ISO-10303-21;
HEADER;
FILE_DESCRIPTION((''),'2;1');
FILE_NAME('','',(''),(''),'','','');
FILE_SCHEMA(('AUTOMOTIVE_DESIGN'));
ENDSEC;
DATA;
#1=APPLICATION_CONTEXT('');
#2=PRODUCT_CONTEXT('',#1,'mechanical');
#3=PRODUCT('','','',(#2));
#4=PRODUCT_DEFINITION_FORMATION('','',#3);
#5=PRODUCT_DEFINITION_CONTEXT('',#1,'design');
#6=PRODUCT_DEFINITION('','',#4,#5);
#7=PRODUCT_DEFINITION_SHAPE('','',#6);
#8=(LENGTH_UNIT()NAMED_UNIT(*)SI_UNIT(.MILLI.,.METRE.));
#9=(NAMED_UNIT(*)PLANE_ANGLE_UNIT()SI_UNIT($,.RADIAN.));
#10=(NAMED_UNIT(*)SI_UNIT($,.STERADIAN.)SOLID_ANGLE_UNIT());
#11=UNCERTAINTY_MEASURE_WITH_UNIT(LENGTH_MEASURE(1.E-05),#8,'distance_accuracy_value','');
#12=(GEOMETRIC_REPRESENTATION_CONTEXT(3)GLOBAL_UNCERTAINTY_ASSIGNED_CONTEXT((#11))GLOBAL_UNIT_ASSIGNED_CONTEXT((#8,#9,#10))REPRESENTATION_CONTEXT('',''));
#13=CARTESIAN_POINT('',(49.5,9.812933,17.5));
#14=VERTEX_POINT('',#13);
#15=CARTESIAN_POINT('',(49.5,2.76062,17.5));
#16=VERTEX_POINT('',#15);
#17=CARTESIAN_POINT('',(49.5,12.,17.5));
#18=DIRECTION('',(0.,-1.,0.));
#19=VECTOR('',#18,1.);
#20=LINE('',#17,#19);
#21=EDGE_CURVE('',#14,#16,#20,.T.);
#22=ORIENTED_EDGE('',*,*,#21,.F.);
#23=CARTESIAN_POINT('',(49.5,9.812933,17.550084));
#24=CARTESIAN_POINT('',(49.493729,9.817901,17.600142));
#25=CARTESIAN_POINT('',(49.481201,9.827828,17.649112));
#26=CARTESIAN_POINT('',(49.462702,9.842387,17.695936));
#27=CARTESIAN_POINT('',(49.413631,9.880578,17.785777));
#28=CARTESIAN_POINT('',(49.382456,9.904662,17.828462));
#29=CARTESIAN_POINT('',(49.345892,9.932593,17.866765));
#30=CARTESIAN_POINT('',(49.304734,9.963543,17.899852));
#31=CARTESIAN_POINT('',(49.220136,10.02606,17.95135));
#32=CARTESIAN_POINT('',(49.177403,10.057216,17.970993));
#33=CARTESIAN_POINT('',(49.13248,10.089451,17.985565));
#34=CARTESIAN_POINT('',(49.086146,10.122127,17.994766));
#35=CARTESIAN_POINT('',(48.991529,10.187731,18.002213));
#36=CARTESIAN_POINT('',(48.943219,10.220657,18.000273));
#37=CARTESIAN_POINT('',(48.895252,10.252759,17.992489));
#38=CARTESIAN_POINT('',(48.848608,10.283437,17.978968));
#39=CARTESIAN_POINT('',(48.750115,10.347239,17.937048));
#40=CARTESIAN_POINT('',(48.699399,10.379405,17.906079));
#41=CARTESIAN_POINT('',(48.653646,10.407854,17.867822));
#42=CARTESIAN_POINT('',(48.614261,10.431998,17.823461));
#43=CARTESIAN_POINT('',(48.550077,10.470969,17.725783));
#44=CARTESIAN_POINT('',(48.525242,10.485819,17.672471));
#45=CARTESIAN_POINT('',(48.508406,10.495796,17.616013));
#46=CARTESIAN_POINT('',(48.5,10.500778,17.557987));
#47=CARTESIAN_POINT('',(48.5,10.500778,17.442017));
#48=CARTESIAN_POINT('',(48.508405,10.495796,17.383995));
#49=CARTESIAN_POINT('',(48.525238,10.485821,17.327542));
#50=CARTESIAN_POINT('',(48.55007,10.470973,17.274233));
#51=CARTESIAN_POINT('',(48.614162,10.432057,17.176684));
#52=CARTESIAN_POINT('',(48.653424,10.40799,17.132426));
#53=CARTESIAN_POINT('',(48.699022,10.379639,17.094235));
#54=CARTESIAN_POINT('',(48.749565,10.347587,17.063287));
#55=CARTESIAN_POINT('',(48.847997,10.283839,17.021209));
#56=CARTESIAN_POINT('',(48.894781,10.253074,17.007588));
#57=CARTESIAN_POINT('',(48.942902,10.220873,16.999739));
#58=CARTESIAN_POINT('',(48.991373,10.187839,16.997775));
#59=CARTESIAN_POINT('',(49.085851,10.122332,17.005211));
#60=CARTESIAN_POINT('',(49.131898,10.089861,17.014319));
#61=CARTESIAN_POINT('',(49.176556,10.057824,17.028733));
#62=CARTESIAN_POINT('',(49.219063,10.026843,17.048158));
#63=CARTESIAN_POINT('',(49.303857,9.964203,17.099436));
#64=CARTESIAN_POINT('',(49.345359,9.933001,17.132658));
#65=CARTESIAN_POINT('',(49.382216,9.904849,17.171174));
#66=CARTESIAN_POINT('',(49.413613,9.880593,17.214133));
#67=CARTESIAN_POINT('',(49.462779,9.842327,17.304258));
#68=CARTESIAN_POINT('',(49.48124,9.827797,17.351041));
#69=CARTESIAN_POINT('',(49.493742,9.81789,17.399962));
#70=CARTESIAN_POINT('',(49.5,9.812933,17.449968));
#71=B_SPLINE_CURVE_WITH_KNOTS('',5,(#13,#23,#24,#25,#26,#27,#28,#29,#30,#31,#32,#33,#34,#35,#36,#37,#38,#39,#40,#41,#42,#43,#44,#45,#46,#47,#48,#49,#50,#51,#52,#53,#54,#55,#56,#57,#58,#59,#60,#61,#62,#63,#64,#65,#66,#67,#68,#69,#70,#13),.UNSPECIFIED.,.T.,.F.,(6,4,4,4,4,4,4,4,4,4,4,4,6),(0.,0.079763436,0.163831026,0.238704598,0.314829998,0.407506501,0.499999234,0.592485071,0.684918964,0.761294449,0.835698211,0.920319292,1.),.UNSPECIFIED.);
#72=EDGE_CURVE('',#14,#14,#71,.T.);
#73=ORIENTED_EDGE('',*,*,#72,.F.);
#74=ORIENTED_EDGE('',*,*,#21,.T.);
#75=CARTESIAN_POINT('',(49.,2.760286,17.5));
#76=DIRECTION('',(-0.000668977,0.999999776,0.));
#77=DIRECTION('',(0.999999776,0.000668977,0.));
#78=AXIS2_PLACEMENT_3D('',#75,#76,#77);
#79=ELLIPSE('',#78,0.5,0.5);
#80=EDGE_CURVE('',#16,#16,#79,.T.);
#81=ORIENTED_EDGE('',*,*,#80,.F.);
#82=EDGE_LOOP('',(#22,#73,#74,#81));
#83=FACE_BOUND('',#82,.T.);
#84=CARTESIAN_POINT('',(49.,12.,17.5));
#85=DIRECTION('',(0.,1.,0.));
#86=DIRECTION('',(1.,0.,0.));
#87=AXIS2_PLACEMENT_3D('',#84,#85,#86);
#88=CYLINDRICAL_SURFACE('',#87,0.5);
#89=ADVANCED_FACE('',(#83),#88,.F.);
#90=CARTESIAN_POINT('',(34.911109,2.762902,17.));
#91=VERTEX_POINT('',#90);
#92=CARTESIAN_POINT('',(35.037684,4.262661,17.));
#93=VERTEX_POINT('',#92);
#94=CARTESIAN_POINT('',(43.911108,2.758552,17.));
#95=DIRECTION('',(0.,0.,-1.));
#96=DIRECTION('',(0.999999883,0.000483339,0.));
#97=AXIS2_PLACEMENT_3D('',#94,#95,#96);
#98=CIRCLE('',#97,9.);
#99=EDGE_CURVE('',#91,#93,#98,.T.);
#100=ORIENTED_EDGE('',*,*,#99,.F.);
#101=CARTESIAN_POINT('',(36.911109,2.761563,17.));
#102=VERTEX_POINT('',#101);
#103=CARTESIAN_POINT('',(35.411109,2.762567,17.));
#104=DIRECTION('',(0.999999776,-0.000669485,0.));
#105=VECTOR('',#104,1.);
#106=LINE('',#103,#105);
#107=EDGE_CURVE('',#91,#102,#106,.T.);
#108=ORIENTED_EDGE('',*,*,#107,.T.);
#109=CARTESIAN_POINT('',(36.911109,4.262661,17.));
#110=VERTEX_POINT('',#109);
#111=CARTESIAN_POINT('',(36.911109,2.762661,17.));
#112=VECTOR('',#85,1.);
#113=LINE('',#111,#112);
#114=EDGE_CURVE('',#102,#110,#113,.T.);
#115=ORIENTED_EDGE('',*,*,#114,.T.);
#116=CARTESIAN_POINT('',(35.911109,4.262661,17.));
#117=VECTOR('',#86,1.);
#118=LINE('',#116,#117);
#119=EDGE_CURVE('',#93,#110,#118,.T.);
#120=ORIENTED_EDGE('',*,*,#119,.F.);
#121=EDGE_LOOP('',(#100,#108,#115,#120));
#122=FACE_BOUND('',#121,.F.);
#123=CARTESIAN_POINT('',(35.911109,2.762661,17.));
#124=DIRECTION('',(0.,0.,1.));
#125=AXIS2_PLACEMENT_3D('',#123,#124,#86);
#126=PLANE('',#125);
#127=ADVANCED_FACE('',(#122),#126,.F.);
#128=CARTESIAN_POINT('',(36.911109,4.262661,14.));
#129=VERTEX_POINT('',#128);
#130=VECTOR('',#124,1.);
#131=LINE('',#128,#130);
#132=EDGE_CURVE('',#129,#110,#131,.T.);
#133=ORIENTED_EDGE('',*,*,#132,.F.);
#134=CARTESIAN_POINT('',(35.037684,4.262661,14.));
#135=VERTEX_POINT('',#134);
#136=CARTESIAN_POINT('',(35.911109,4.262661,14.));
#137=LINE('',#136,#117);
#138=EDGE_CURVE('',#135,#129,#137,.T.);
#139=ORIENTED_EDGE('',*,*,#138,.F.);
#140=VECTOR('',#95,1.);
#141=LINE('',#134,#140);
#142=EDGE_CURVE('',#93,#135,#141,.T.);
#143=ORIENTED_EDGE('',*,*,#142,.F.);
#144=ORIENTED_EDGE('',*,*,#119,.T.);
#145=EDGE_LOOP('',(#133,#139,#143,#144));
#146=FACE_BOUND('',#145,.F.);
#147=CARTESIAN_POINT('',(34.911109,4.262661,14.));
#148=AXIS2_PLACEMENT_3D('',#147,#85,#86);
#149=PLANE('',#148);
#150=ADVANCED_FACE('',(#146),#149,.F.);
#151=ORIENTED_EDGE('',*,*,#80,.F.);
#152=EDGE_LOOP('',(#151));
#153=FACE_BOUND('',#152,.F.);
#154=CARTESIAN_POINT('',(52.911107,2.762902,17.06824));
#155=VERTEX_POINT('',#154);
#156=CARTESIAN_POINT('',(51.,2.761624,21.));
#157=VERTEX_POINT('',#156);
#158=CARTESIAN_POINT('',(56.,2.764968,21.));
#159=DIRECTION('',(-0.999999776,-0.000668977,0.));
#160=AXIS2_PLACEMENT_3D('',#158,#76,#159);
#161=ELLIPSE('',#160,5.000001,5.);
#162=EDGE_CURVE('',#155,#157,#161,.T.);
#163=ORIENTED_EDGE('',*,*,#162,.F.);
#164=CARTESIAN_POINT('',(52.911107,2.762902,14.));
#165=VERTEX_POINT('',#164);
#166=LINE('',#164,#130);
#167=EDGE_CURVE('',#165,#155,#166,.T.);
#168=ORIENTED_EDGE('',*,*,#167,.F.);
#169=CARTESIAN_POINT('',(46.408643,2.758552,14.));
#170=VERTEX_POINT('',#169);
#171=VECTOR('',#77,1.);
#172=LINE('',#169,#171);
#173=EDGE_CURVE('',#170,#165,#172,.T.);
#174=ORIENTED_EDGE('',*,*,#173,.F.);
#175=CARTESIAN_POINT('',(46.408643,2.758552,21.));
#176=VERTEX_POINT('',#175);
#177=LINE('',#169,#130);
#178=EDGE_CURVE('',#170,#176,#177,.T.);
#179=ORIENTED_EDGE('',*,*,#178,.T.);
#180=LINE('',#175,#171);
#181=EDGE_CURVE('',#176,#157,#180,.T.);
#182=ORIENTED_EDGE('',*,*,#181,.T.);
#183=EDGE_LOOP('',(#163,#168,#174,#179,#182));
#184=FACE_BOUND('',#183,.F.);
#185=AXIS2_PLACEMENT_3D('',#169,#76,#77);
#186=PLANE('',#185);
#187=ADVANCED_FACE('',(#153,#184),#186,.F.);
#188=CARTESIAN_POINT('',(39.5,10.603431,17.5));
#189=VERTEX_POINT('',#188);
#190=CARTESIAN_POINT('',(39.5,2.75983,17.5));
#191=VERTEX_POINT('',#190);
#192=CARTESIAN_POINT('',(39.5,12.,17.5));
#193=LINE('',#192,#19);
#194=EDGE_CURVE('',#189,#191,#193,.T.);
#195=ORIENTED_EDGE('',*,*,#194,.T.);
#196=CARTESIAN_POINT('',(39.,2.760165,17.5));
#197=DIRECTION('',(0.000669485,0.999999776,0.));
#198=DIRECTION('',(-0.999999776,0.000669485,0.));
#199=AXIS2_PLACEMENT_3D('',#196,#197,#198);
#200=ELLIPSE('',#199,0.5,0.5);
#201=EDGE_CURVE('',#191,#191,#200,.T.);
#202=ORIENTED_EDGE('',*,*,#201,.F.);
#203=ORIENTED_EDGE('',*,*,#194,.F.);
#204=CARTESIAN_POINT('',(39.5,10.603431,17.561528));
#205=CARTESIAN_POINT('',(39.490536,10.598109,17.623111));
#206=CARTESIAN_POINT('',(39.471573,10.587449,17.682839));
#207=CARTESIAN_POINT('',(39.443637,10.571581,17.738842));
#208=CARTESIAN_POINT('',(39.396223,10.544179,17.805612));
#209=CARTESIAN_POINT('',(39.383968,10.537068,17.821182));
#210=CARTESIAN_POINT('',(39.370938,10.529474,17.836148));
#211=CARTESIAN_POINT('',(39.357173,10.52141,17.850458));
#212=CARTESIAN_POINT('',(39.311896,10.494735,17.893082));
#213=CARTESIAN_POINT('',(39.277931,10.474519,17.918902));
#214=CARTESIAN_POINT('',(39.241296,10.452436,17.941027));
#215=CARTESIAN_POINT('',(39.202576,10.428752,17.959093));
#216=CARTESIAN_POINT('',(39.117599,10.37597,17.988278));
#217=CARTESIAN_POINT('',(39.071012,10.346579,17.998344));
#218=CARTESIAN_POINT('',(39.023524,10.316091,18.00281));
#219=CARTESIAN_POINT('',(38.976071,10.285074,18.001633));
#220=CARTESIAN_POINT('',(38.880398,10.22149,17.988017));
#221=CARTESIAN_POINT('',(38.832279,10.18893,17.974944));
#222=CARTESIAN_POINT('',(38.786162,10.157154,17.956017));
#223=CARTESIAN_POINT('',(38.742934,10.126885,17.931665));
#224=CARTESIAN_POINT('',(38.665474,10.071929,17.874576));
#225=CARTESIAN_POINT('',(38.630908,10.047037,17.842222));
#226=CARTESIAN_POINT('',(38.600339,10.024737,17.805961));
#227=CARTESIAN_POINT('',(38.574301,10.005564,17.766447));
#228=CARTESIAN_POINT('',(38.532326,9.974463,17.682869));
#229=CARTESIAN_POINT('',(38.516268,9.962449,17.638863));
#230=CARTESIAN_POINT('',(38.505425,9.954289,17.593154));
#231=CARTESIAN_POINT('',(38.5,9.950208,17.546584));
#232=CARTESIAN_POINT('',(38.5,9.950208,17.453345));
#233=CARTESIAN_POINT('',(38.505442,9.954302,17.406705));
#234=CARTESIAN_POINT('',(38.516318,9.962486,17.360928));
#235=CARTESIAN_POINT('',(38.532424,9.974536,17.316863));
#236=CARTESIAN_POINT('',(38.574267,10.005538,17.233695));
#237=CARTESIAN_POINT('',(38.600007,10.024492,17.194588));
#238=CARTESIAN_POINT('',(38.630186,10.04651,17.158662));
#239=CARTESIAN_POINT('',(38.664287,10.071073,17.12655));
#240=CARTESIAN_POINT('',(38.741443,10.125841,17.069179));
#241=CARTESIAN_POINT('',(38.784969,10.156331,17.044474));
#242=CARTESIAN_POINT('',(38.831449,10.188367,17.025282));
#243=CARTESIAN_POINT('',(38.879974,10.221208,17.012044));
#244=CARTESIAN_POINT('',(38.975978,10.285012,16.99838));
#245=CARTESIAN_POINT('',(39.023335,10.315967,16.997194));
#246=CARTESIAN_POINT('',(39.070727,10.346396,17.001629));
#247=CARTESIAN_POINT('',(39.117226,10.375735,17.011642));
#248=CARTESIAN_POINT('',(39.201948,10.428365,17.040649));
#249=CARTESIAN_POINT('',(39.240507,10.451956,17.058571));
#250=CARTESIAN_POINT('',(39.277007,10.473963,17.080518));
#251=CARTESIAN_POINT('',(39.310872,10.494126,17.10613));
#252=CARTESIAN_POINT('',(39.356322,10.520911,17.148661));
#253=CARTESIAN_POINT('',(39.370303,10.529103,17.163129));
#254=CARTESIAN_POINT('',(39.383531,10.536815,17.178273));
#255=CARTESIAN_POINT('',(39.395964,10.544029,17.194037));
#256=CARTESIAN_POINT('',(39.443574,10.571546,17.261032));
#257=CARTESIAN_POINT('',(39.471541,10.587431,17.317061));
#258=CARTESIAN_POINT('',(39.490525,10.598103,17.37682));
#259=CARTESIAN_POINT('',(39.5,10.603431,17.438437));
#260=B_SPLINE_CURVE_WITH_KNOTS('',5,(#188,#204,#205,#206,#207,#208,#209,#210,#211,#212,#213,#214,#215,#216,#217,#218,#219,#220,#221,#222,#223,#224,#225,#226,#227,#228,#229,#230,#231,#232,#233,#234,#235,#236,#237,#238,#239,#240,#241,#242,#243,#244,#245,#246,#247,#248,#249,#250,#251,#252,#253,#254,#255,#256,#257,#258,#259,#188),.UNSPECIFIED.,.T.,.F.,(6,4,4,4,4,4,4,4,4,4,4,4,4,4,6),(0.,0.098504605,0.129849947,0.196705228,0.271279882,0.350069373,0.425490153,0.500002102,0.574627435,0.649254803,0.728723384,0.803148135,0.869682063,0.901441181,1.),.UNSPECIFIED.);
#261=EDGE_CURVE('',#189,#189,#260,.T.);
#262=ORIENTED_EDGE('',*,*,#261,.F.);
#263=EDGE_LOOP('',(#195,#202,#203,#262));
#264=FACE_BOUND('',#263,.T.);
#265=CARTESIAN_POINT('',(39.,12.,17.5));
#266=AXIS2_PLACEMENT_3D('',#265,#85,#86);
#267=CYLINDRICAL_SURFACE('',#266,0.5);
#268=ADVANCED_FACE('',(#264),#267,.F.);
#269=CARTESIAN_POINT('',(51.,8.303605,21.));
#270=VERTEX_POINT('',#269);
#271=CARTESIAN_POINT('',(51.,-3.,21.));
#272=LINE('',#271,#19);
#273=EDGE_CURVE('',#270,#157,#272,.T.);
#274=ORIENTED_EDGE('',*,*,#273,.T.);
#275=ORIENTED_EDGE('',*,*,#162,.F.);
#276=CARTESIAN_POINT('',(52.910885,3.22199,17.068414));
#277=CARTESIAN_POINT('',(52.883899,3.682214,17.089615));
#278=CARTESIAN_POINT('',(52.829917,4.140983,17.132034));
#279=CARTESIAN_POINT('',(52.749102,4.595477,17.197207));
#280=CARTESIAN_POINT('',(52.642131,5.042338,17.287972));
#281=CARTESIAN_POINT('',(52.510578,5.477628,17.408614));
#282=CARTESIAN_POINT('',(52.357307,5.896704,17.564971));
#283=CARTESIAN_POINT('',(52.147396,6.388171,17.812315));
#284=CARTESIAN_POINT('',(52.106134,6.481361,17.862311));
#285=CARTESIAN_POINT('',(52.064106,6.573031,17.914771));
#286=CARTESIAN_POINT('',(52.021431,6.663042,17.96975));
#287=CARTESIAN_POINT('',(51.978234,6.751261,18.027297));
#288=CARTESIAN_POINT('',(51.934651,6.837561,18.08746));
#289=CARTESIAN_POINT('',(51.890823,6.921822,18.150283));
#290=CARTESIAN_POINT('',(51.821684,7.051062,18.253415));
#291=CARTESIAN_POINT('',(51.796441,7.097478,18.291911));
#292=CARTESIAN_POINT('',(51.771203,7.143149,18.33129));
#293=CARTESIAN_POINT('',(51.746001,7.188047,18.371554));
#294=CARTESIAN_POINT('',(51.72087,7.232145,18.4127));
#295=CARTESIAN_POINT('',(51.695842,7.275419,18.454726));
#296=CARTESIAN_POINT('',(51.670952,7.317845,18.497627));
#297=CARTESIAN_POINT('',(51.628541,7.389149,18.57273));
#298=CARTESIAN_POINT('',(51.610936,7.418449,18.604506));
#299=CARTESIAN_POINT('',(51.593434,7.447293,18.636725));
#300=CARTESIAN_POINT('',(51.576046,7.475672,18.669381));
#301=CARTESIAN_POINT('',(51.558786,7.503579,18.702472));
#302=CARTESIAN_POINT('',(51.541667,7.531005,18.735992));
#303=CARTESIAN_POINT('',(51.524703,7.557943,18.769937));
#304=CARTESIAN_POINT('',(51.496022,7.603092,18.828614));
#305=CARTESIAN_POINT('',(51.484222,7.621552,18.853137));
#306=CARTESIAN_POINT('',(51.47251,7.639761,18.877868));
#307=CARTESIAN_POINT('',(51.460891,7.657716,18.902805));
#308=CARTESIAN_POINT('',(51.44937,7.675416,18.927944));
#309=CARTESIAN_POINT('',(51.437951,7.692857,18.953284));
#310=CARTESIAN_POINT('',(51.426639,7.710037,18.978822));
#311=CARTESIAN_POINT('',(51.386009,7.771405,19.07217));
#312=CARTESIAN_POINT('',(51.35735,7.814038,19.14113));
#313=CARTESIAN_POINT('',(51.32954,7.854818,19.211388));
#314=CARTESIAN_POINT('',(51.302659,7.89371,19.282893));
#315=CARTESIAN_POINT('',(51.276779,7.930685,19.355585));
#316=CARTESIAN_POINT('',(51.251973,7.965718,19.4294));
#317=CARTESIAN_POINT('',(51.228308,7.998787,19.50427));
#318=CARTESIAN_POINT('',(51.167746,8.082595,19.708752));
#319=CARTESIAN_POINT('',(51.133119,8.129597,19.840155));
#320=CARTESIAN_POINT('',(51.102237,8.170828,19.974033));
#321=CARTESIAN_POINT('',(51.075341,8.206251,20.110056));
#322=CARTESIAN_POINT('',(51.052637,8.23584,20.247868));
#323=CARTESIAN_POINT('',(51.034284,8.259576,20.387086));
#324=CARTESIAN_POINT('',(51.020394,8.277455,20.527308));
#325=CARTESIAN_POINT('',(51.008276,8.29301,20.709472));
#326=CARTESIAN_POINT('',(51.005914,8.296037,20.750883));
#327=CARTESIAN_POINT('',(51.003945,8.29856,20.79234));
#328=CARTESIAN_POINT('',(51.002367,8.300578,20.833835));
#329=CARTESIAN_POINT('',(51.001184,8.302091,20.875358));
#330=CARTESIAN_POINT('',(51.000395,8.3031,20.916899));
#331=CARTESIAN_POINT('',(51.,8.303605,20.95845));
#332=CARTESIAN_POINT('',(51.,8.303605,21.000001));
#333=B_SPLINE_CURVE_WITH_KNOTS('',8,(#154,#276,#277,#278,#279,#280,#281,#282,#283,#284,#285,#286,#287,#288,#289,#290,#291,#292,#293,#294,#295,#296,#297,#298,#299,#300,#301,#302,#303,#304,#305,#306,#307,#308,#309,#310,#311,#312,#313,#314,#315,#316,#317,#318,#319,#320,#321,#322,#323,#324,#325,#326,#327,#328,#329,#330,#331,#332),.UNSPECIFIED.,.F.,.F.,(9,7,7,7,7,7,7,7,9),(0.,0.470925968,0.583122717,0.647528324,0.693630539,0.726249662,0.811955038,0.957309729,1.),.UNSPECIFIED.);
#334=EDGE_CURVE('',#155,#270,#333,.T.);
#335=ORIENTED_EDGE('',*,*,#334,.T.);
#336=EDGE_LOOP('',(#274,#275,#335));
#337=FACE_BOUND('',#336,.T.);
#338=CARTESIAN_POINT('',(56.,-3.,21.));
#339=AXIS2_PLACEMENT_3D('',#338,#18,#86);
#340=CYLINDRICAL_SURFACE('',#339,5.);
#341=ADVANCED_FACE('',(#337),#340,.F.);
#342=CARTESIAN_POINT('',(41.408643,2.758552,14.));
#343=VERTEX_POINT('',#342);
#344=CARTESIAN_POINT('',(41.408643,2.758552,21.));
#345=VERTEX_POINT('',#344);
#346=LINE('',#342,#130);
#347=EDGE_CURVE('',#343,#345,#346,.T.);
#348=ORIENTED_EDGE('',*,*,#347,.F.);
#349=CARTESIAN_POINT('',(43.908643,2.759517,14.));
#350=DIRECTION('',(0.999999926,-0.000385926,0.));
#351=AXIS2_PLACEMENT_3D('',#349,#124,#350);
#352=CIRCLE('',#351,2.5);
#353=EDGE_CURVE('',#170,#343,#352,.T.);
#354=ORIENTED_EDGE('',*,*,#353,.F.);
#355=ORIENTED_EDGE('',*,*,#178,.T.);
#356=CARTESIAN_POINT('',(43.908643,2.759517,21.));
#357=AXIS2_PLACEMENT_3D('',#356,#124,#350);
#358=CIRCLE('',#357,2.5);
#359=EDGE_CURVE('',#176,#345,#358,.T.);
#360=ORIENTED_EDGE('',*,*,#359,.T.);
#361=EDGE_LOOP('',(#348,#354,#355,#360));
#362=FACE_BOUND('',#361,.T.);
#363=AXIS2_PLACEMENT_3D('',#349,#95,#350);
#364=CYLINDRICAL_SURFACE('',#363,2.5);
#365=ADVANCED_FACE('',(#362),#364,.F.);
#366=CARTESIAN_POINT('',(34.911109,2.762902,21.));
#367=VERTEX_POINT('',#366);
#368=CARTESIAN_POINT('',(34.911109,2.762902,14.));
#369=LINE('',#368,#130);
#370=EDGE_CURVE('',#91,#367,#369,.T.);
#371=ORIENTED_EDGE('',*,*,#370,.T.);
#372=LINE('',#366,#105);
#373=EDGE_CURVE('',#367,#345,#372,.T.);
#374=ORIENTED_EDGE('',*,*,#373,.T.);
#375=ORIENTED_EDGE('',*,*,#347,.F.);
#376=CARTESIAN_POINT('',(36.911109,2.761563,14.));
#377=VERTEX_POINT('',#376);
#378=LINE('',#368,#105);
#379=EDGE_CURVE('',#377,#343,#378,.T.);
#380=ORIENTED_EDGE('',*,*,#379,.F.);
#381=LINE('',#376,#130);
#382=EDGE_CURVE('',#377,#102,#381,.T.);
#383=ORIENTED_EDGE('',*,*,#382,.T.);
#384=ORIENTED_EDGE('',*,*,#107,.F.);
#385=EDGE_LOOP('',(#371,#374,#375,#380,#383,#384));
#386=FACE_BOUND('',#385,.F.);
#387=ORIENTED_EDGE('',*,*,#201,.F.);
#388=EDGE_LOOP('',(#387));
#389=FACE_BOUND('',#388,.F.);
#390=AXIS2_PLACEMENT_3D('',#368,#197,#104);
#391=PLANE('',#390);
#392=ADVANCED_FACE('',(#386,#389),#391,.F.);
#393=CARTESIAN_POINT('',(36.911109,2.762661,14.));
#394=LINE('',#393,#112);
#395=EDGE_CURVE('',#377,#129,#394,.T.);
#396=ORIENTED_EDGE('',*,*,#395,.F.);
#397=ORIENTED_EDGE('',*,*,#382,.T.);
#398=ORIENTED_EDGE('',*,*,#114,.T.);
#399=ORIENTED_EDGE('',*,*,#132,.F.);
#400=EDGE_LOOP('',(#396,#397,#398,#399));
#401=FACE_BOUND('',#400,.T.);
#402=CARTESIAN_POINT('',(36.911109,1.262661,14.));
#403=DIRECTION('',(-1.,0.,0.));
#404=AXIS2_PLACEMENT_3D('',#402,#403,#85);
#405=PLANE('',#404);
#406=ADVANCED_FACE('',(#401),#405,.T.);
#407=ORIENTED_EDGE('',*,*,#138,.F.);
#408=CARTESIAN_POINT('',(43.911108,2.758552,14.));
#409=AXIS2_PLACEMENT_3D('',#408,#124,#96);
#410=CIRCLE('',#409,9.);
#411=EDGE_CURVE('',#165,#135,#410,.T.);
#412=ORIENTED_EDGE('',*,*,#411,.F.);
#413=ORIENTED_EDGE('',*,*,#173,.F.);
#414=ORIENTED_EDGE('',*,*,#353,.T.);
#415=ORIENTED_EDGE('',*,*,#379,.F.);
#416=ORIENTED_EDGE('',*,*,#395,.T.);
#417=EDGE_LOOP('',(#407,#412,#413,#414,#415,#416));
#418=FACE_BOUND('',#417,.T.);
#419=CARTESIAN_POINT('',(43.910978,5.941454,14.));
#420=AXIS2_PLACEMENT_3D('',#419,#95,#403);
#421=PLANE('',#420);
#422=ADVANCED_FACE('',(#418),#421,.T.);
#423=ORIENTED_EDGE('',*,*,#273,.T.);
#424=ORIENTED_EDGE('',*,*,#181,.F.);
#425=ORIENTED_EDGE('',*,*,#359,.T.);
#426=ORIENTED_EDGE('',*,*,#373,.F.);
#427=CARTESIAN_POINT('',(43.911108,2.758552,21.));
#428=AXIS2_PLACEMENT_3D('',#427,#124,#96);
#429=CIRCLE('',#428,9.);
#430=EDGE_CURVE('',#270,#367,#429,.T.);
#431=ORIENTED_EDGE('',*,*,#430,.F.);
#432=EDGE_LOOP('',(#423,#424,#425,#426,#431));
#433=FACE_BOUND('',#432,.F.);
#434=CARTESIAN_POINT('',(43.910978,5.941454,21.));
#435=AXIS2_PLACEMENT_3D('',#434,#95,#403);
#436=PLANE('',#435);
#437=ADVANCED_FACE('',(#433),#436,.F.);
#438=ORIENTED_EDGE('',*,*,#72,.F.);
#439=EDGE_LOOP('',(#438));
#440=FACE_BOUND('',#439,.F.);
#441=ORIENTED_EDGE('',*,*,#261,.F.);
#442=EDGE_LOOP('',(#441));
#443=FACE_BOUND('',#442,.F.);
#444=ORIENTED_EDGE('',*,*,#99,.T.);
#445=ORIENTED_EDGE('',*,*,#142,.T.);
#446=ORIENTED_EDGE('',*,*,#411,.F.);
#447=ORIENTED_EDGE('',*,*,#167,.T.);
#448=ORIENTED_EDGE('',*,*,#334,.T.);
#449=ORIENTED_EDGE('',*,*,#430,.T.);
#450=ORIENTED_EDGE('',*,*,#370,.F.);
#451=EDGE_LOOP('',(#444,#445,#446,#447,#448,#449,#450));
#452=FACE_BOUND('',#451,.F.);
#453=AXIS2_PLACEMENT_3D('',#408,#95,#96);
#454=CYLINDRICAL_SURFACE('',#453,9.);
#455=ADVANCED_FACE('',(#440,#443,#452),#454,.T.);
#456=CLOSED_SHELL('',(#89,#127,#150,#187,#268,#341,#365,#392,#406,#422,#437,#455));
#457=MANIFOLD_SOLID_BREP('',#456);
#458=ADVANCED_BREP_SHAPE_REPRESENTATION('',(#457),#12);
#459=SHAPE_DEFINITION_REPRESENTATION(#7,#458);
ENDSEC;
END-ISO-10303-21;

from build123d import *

# Parameters (mm, degrees)
CYLINDER017_R     = 0.5
CYLINDER017_DEPTH = 20
CYLINDER018_R     = 0.5
CYLINDER018_DEPTH = 20
CYLINDER008_R     = 5
CYLINDER008_DEPTH = 13
PAD007_DEPTH      = 7
SKETCH065_W       = 2
SKETCH065_H       = 3
POCKET005_DEPTH   = 3


with BuildPart() as cylinder017:
    # Cylinder017 → Cylinder017 (new body)
    with BuildSketch(Plane(origin=(39, 12, 17.5), x_dir=(1, 0, 0), z_dir=(0, -1, 0))):
        Circle(CYLINDER017_R)
    extrude(amount=CYLINDER017_DEPTH)


with BuildPart() as fusion018:
    # Cylinder018 → Cylinder018 (new body)
    with BuildSketch(Plane(origin=(49, 12, 17.5), x_dir=(1, 0, 0), z_dir=(0, -1, 0))):
        Circle(CYLINDER018_R)
    extrude(amount=CYLINDER018_DEPTH)

    # Fusion018: union Cylinder017
    add(cylinder017.part)


with BuildPart() as cylinder008:
    # Cylinder008 → Cylinder008 (new body)
    with BuildSketch(Plane(origin=(56, -3, 21), x_dir=(1, 0, 0), z_dir=(0, 1, 0))):
        Circle(CYLINDER008_R)
    extrude(amount=CYLINDER008_DEPTH)


with BuildPart() as potclamp:
    # Sketch059 → Pad007 (new body)
    with BuildSketch(Plane.XY):
        with BuildLine():
            ThreePointArc((46.408643, 2.758552), (43.908643, 5.259517), (41.408643, 2.758552))
            Line((34.911109, 2.762902), (41.408643, 2.758552))
            ThreePointArc((52.911107, 2.762902), (43.911108, 11.758552), (34.911109, 2.762902))
            Line((46.408643, 2.758552), (52.911107, 2.762902))
        make_face()
    extrude(amount=PAD007_DEPTH)

    # Sketch065 → Pocket005 (cut)
    with BuildSketch(Plane.XY):
        with Locations((35.911109, 2.762661)):
            Rectangle(SKETCH065_W, SKETCH065_H)
    extrude(amount=POCKET005_DEPTH, mode=Mode.SUBTRACT)


with BuildPart() as potclamp_1:
    # Body007 placement: moved
    add(potclamp.part.moved(Location((0, 0, 14))))

    # Cut005: cut Cylinder008
    add(cylinder008.part, mode=Mode.SUBTRACT)

    # Cut011: cut Fusion018
    add(fusion018.part, mode=Mode.SUBTRACT)


solid = potclamp_1.part
